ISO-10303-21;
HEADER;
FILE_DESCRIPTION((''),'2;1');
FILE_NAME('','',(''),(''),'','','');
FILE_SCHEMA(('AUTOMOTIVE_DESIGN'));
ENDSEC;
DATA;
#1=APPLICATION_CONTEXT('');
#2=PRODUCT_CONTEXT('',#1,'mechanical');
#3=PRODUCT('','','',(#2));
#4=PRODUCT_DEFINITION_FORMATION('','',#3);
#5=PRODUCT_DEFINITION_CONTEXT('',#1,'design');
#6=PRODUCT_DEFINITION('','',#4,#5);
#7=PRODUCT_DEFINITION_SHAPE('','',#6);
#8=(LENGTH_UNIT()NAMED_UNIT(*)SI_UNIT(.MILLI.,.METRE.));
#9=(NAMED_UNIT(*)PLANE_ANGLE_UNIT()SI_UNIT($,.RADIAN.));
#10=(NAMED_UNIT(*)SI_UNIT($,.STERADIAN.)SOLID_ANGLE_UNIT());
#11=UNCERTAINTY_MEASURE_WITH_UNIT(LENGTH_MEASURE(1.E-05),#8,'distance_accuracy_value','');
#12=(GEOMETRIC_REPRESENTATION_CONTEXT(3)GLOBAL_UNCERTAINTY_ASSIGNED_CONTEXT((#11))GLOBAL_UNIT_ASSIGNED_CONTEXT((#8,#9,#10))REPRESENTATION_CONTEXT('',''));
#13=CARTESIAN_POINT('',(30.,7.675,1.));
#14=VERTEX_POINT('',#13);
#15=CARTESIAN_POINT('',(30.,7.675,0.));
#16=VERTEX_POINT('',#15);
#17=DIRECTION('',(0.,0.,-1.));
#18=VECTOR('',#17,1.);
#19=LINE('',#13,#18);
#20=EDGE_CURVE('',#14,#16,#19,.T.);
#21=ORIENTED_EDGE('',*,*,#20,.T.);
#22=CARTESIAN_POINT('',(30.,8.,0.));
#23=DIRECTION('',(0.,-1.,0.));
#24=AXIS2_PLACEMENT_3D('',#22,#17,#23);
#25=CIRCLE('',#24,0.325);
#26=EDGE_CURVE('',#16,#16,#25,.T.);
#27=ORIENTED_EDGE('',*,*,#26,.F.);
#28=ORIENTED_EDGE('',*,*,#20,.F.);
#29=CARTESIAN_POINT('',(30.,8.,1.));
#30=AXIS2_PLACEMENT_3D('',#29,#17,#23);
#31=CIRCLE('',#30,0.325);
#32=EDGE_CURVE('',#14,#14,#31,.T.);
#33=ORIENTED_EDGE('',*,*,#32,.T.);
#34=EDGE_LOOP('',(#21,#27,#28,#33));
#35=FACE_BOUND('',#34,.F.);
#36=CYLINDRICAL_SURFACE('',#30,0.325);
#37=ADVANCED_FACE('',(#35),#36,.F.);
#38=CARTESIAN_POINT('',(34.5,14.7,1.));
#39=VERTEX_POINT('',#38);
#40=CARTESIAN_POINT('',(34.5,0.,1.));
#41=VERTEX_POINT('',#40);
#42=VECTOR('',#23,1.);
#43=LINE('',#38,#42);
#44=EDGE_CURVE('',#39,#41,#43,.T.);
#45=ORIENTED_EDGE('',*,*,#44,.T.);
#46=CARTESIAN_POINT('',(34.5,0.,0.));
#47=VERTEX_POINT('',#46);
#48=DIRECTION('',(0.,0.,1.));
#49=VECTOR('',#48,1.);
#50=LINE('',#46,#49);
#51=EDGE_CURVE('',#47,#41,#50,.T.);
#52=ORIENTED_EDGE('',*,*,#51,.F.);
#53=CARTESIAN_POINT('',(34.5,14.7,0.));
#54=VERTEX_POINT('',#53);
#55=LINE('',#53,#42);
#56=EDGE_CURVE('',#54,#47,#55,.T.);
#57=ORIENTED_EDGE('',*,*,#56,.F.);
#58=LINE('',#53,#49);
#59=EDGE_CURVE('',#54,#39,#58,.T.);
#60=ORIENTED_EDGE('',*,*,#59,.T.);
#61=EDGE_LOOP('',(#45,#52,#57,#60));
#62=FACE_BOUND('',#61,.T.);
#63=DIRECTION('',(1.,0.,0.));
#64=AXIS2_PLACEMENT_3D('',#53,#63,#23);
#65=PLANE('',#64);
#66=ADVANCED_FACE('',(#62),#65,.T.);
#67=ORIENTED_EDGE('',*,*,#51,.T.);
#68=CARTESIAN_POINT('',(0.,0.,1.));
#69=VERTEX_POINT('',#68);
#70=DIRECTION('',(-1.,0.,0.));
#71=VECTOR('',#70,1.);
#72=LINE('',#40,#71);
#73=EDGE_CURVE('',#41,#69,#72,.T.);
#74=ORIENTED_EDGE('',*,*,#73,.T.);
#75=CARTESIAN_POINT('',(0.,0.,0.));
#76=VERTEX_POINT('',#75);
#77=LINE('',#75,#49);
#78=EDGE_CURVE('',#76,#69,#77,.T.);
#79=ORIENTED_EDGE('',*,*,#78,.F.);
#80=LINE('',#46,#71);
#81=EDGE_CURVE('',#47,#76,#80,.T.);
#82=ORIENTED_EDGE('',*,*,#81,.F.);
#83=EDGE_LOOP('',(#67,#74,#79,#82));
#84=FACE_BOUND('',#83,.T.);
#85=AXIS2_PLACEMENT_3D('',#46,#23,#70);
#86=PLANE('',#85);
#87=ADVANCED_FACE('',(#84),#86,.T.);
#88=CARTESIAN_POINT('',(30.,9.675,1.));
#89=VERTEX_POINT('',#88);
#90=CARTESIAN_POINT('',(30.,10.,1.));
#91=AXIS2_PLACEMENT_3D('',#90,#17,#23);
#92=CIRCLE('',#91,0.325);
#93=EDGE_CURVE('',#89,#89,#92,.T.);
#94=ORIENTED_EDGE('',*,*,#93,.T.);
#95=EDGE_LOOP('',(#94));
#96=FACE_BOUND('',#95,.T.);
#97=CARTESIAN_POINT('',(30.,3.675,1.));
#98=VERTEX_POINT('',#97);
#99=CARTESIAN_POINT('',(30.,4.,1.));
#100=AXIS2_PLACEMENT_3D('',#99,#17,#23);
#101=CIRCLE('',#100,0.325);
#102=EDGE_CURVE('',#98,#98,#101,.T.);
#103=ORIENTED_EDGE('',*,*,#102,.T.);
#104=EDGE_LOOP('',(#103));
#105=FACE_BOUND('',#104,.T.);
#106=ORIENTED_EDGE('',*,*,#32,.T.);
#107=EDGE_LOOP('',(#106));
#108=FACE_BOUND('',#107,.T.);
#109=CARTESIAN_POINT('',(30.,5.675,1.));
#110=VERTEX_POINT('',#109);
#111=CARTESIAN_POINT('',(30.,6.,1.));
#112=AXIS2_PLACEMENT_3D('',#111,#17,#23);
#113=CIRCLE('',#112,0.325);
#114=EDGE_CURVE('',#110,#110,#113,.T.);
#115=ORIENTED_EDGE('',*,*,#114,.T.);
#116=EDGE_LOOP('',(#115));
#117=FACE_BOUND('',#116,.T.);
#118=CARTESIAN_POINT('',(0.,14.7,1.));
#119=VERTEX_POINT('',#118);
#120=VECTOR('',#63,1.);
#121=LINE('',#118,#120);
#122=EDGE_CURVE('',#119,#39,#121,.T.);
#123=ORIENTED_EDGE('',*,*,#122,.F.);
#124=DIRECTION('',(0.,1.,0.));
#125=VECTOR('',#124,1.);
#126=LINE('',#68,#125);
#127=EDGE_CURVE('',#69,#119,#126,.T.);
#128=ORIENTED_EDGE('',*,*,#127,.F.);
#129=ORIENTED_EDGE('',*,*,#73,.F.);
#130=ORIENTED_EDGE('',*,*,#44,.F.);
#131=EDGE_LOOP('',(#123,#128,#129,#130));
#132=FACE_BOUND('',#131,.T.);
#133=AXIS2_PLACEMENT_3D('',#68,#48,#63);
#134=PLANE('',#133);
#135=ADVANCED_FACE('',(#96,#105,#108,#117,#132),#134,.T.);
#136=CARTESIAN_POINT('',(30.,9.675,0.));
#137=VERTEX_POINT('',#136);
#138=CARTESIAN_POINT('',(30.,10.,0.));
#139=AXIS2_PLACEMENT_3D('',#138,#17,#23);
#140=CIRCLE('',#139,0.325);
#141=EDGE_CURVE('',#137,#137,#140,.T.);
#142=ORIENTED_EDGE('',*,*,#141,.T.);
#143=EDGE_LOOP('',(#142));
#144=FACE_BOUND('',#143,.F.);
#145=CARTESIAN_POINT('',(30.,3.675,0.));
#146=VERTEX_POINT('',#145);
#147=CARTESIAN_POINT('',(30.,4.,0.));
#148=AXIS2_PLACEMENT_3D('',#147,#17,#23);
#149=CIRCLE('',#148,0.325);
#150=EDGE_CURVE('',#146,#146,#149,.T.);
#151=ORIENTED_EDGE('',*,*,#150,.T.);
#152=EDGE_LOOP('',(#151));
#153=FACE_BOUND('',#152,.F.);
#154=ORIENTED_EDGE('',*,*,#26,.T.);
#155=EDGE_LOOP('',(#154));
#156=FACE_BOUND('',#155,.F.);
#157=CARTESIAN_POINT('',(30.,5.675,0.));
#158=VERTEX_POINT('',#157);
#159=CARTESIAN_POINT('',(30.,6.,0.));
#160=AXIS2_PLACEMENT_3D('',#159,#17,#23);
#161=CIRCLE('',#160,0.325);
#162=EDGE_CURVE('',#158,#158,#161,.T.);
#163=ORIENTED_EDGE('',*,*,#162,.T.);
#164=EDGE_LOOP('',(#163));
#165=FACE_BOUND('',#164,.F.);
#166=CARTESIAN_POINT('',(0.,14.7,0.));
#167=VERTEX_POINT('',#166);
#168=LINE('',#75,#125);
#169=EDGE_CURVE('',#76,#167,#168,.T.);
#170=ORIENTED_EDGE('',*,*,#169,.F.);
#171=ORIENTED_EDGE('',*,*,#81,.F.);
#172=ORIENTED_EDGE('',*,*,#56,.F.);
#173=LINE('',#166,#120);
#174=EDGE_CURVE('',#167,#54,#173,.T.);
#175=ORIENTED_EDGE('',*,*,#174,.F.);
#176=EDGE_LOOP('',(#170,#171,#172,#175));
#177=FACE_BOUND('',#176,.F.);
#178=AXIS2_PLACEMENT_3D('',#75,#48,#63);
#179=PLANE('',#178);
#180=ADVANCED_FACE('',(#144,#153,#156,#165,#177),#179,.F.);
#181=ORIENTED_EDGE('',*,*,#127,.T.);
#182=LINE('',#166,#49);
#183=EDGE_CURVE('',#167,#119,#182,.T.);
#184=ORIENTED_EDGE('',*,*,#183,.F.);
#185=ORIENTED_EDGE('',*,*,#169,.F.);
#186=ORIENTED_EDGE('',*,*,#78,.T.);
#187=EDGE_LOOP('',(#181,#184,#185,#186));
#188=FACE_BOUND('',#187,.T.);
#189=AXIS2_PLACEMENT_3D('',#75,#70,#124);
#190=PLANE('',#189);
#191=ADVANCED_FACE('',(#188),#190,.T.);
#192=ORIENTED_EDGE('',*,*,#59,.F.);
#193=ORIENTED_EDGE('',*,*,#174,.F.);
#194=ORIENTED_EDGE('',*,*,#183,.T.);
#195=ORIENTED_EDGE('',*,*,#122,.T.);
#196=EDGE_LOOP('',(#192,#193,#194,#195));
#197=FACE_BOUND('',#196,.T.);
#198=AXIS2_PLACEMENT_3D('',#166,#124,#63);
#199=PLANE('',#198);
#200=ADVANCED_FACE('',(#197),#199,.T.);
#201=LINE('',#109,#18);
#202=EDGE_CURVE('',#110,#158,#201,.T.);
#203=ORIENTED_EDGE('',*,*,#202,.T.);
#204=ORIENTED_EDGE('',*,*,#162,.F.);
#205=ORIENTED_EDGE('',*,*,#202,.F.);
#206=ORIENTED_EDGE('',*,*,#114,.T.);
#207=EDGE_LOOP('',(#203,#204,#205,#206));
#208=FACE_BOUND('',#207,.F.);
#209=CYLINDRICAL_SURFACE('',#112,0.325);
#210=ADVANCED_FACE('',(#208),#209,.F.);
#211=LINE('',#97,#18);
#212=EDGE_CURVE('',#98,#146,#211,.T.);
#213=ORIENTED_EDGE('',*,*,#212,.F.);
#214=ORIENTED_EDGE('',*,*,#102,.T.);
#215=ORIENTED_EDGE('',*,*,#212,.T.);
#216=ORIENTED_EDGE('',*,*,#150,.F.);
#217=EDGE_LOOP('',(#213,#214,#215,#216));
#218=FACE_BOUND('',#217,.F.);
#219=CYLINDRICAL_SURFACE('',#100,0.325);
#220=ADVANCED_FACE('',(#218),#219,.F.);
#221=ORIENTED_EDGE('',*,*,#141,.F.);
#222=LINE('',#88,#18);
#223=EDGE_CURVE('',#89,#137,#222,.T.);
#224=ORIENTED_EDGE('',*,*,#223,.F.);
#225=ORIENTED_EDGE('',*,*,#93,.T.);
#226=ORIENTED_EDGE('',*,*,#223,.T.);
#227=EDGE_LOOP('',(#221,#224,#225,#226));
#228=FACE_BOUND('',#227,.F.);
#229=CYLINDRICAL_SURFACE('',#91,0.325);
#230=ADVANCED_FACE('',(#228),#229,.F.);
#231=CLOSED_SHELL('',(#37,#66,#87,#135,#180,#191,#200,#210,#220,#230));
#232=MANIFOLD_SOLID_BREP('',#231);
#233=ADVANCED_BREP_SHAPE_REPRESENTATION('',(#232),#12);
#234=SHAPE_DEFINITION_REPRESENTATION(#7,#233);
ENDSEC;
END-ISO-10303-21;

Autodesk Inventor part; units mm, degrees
ref_plane "YZ Plane" through (0, 0, 0) normal (1, 0, 0) x (0, 1, 0)
ref_plane "XZ Plane" through (0, 0, 0) normal (0, 1, 0) x (-1, 0, 0)
ref_plane "XY Plane" through (0, 0, 0) normal (0, 0, 1) x (1, 0, 0)
sketch "Sketch1" plane through (0, 0, 0) normal (0, 0, 1) x (1, 0, 0)
  line L0 (0, 0) -> (0, 14.7)
  line L1 (0, 14.7) -> (34.5, 14.7)
  line L2 (34.5, 14.7) -> (34.5, 0)
  line L3 (34.5, 0) -> (0, 0)
  dimension "d0" = 14.7
  dimension "d1" = 34.5
extrude "Extrusion1" add sketch "Sketch1" along normal blind 1
sketch "Sketch3" plane through (0, 0, 1) normal (0, 0, 1) x (1, 0, 0)
  point P0 (30, 10)
  point P1 (30, 8)
  point P2 (30, 6)
  point P3 (30, 4)
hole "Hole1" at (30, 10, 1) at (30, 8, 1) at (30, 6, 1) at (30, 4, 1) direction (0, 0, -1) diameter 0.65 end through all
properties part number "Zijplaat 4"
